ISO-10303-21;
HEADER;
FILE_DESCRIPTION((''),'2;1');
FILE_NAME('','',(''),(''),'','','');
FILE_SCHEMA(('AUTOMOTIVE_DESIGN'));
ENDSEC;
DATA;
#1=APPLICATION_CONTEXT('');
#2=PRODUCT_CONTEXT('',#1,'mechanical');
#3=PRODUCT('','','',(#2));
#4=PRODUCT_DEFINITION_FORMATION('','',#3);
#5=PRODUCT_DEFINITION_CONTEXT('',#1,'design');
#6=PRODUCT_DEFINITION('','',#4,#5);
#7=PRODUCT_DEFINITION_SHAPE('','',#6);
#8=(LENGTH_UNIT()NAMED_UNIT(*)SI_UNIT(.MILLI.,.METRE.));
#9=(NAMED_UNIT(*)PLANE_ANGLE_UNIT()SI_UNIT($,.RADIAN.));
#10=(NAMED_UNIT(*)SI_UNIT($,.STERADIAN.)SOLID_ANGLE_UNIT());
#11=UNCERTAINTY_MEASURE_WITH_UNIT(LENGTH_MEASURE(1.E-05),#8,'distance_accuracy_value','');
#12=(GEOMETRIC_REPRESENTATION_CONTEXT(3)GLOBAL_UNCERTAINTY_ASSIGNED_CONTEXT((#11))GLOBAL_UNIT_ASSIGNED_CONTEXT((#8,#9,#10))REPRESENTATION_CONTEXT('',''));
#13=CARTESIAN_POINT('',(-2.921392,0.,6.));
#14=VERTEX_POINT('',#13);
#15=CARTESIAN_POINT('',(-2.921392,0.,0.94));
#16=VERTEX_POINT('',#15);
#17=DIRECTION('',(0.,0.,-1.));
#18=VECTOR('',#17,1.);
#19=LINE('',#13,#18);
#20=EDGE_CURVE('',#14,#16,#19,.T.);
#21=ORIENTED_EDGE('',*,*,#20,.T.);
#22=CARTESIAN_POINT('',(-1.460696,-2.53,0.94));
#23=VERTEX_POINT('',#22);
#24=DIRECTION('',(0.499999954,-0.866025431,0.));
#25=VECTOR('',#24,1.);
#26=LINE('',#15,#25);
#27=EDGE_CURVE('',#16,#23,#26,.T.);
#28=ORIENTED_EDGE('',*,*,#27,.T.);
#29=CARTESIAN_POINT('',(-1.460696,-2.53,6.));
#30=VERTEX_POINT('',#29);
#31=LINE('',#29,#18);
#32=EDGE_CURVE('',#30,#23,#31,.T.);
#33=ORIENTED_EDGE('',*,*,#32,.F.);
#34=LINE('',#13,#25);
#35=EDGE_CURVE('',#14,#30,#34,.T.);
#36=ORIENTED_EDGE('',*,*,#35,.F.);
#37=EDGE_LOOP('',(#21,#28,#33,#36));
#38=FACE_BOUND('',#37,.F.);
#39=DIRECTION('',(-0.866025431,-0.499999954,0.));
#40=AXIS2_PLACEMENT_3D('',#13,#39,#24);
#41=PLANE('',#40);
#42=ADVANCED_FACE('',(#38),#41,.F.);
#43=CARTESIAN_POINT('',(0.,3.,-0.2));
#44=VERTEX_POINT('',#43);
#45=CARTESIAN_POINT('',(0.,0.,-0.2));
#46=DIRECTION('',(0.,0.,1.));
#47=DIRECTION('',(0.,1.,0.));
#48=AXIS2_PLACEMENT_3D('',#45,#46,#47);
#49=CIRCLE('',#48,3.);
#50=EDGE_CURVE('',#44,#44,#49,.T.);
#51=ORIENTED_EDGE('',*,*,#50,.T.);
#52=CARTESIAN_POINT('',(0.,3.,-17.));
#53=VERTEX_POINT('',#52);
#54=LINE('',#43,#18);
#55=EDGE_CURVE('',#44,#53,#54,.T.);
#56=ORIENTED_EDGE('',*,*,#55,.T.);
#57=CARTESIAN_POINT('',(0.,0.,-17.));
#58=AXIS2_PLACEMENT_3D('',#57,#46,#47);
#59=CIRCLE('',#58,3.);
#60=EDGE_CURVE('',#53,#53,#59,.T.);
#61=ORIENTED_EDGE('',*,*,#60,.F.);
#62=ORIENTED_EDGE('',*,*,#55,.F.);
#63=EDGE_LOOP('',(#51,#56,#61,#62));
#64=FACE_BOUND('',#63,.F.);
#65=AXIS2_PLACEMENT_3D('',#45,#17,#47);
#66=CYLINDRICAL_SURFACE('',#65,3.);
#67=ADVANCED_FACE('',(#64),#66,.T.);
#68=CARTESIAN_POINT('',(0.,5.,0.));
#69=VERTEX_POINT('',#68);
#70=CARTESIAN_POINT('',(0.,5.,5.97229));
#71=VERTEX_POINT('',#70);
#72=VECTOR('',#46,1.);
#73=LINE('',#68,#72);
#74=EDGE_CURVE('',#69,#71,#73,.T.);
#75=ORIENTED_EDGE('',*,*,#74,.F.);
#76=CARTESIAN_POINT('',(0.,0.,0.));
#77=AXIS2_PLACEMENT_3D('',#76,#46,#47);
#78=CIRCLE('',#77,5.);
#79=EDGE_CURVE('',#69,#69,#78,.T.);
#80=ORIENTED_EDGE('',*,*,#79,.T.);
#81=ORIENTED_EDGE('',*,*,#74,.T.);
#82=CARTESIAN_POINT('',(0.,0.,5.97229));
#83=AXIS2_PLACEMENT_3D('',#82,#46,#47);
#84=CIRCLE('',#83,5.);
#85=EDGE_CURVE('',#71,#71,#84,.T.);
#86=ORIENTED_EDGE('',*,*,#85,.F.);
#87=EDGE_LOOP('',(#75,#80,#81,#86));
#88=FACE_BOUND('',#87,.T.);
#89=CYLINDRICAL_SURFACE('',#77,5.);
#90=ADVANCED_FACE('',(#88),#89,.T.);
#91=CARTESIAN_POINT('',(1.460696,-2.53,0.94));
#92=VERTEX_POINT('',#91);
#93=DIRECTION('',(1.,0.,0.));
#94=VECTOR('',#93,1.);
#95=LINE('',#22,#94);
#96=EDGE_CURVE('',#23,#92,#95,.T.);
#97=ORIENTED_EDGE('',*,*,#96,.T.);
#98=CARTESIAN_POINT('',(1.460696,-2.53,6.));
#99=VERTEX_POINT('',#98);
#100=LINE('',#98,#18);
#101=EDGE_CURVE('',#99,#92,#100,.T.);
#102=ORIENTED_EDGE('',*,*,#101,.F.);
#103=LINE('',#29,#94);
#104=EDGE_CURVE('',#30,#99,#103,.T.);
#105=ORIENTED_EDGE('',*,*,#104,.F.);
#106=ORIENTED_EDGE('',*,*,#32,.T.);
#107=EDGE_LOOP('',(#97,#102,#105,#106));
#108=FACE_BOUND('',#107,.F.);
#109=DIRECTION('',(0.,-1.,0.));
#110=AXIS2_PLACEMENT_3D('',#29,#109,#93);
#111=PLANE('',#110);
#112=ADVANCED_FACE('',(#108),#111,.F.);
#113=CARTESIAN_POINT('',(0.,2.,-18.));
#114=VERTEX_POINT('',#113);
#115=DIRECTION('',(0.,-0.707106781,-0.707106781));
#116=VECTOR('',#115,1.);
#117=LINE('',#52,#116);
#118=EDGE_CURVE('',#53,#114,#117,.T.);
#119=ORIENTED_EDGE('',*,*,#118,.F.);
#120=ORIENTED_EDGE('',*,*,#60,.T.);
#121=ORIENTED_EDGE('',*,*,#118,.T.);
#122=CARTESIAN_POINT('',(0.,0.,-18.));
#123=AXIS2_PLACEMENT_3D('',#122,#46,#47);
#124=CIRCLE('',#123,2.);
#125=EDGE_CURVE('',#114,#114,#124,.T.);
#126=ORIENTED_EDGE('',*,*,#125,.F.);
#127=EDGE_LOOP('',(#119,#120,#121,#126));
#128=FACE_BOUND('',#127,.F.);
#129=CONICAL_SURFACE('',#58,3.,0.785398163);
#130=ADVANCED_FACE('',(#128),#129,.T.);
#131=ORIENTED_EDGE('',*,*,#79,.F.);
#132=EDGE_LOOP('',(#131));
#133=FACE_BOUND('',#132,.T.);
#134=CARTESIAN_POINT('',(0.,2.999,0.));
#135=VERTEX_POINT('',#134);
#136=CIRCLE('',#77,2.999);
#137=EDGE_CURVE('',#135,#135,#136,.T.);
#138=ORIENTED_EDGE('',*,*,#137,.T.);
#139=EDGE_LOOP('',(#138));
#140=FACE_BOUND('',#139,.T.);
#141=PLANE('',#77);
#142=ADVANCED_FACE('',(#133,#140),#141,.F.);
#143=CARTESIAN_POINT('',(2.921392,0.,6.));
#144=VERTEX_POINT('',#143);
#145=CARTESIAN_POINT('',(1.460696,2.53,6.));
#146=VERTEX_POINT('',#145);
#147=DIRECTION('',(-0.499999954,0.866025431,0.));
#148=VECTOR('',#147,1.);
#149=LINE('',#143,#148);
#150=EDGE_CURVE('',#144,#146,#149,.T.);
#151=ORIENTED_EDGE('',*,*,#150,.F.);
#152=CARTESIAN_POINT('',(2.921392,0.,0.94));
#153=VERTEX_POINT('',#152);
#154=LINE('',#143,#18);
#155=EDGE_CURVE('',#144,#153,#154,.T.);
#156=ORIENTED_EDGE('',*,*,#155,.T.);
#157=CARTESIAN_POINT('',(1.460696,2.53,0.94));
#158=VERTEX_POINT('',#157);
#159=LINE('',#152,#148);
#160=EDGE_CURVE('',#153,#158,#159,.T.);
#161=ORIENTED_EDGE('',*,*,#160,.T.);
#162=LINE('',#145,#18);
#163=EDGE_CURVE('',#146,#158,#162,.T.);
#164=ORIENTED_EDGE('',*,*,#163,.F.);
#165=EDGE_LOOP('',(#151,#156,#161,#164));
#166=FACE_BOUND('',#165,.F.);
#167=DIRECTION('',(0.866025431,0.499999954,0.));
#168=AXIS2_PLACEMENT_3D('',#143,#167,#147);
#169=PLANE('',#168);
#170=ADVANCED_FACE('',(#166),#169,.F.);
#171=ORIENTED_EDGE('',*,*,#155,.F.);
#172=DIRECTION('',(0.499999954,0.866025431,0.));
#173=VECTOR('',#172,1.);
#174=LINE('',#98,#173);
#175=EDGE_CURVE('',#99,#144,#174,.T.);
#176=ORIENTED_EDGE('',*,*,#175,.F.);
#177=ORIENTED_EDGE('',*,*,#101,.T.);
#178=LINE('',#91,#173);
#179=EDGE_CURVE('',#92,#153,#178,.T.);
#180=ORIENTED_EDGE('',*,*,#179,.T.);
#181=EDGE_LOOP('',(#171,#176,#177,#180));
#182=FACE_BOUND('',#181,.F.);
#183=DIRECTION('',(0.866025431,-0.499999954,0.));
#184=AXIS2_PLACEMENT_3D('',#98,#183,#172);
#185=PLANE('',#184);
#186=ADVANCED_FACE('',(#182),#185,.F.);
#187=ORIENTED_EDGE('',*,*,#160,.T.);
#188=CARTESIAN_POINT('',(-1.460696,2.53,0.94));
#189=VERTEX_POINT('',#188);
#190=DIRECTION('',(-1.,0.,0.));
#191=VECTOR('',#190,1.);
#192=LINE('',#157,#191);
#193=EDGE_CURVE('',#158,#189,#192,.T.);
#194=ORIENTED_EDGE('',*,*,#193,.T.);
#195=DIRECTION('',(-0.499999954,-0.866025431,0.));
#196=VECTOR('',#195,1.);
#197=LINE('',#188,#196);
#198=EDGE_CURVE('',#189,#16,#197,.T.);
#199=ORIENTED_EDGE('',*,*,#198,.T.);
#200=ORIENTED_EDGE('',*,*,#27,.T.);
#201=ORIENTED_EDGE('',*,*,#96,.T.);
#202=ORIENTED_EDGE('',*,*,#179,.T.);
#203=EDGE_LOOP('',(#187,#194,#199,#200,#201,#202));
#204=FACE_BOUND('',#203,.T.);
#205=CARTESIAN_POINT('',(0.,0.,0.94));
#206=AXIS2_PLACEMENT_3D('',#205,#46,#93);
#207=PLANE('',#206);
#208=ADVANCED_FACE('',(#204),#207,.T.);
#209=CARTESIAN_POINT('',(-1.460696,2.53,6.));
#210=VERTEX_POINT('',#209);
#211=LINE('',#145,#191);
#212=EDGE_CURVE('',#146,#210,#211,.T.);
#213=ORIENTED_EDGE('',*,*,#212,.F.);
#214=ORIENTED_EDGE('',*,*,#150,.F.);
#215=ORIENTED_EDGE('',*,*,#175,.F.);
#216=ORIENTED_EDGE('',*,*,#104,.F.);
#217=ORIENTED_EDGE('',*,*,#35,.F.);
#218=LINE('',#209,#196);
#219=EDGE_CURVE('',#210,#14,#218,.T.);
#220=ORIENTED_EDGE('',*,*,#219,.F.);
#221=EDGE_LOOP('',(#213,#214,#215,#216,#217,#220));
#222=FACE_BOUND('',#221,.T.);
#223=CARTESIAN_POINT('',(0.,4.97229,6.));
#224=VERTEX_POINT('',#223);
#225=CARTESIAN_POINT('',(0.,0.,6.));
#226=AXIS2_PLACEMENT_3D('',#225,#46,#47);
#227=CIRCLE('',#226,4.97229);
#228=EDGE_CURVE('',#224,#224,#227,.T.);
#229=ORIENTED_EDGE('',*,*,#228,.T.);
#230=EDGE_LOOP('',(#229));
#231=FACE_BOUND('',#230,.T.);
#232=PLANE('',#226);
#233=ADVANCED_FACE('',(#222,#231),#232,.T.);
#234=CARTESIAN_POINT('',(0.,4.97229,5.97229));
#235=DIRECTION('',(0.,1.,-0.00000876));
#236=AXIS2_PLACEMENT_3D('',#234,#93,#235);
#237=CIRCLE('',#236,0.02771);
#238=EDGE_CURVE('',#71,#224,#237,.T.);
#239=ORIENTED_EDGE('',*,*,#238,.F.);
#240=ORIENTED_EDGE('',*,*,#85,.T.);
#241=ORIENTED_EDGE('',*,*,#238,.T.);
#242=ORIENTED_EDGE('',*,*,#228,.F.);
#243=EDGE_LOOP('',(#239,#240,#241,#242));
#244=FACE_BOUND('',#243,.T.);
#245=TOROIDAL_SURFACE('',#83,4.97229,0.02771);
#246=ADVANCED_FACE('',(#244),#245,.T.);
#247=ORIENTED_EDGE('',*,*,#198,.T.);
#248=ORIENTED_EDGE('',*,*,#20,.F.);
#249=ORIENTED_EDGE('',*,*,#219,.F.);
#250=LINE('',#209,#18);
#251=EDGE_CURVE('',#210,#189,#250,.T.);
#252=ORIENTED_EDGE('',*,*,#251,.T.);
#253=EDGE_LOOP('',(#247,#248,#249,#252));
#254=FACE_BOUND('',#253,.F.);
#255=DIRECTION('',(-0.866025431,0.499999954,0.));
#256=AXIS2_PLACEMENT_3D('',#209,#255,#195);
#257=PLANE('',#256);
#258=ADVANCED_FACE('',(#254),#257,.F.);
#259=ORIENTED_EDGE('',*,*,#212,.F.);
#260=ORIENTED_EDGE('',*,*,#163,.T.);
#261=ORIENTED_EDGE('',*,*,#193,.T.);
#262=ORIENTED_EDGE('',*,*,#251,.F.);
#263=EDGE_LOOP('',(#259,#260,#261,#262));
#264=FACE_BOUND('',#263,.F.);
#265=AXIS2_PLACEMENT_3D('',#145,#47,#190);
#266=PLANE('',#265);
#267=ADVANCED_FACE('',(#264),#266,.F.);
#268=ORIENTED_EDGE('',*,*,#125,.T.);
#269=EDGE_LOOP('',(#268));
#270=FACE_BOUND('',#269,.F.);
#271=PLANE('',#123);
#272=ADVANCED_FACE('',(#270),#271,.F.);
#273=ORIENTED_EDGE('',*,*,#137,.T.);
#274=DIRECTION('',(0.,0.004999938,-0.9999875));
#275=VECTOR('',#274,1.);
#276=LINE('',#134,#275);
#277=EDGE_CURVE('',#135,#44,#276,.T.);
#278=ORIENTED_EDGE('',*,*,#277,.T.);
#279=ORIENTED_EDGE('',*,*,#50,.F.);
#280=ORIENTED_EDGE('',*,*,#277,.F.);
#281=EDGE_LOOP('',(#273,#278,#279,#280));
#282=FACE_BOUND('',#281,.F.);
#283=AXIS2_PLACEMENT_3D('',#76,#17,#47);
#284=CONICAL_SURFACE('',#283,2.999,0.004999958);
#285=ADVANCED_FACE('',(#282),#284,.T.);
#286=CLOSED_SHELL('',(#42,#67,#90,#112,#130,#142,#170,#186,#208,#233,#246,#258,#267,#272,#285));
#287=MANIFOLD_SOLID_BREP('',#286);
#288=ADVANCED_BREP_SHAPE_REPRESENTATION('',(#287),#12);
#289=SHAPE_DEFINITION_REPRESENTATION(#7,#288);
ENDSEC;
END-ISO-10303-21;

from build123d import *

# Parameters (mm, degrees)
POCKET_DEPTH = 5.06


with BuildPart() as part:
    # Sketch → Revolve (revolve)
    with BuildSketch(Plane.YZ):
        with BuildLine():
            Line((2.999, 0), (5, 0))
            Line((5, 0), (5, 5.97229))
            ThreePointArc((5, 5.97229), (4.991884, 5.991884), (4.97229, 6))
            Line((4.97229, 6), (0, 6))
            Line((0, -18), (0, 6))
            Line((2, -18), (0, -18))
            Line((3, -17), (2, -18))
            Line((3, -0.2), (3, -17))
            Line((2.999, 0), (3, -0.2))
        make_face()
    revolve(axis=Axis((0, 0, 0), (0, 0, 1)))

    # Sketch001 → Pocket (cut)
    with BuildSketch(Plane.XY.offset(6)):
        Polygon((2.921392, 0), (1.460696, 2.53), (-1.460696, 2.53), (-2.921392, 0), (-1.460696, -2.53), (1.460696, -2.53), align=None)
    extrude(amount=-POCKET_DEPTH, mode=Mode.SUBTRACT)


solid = part.part
